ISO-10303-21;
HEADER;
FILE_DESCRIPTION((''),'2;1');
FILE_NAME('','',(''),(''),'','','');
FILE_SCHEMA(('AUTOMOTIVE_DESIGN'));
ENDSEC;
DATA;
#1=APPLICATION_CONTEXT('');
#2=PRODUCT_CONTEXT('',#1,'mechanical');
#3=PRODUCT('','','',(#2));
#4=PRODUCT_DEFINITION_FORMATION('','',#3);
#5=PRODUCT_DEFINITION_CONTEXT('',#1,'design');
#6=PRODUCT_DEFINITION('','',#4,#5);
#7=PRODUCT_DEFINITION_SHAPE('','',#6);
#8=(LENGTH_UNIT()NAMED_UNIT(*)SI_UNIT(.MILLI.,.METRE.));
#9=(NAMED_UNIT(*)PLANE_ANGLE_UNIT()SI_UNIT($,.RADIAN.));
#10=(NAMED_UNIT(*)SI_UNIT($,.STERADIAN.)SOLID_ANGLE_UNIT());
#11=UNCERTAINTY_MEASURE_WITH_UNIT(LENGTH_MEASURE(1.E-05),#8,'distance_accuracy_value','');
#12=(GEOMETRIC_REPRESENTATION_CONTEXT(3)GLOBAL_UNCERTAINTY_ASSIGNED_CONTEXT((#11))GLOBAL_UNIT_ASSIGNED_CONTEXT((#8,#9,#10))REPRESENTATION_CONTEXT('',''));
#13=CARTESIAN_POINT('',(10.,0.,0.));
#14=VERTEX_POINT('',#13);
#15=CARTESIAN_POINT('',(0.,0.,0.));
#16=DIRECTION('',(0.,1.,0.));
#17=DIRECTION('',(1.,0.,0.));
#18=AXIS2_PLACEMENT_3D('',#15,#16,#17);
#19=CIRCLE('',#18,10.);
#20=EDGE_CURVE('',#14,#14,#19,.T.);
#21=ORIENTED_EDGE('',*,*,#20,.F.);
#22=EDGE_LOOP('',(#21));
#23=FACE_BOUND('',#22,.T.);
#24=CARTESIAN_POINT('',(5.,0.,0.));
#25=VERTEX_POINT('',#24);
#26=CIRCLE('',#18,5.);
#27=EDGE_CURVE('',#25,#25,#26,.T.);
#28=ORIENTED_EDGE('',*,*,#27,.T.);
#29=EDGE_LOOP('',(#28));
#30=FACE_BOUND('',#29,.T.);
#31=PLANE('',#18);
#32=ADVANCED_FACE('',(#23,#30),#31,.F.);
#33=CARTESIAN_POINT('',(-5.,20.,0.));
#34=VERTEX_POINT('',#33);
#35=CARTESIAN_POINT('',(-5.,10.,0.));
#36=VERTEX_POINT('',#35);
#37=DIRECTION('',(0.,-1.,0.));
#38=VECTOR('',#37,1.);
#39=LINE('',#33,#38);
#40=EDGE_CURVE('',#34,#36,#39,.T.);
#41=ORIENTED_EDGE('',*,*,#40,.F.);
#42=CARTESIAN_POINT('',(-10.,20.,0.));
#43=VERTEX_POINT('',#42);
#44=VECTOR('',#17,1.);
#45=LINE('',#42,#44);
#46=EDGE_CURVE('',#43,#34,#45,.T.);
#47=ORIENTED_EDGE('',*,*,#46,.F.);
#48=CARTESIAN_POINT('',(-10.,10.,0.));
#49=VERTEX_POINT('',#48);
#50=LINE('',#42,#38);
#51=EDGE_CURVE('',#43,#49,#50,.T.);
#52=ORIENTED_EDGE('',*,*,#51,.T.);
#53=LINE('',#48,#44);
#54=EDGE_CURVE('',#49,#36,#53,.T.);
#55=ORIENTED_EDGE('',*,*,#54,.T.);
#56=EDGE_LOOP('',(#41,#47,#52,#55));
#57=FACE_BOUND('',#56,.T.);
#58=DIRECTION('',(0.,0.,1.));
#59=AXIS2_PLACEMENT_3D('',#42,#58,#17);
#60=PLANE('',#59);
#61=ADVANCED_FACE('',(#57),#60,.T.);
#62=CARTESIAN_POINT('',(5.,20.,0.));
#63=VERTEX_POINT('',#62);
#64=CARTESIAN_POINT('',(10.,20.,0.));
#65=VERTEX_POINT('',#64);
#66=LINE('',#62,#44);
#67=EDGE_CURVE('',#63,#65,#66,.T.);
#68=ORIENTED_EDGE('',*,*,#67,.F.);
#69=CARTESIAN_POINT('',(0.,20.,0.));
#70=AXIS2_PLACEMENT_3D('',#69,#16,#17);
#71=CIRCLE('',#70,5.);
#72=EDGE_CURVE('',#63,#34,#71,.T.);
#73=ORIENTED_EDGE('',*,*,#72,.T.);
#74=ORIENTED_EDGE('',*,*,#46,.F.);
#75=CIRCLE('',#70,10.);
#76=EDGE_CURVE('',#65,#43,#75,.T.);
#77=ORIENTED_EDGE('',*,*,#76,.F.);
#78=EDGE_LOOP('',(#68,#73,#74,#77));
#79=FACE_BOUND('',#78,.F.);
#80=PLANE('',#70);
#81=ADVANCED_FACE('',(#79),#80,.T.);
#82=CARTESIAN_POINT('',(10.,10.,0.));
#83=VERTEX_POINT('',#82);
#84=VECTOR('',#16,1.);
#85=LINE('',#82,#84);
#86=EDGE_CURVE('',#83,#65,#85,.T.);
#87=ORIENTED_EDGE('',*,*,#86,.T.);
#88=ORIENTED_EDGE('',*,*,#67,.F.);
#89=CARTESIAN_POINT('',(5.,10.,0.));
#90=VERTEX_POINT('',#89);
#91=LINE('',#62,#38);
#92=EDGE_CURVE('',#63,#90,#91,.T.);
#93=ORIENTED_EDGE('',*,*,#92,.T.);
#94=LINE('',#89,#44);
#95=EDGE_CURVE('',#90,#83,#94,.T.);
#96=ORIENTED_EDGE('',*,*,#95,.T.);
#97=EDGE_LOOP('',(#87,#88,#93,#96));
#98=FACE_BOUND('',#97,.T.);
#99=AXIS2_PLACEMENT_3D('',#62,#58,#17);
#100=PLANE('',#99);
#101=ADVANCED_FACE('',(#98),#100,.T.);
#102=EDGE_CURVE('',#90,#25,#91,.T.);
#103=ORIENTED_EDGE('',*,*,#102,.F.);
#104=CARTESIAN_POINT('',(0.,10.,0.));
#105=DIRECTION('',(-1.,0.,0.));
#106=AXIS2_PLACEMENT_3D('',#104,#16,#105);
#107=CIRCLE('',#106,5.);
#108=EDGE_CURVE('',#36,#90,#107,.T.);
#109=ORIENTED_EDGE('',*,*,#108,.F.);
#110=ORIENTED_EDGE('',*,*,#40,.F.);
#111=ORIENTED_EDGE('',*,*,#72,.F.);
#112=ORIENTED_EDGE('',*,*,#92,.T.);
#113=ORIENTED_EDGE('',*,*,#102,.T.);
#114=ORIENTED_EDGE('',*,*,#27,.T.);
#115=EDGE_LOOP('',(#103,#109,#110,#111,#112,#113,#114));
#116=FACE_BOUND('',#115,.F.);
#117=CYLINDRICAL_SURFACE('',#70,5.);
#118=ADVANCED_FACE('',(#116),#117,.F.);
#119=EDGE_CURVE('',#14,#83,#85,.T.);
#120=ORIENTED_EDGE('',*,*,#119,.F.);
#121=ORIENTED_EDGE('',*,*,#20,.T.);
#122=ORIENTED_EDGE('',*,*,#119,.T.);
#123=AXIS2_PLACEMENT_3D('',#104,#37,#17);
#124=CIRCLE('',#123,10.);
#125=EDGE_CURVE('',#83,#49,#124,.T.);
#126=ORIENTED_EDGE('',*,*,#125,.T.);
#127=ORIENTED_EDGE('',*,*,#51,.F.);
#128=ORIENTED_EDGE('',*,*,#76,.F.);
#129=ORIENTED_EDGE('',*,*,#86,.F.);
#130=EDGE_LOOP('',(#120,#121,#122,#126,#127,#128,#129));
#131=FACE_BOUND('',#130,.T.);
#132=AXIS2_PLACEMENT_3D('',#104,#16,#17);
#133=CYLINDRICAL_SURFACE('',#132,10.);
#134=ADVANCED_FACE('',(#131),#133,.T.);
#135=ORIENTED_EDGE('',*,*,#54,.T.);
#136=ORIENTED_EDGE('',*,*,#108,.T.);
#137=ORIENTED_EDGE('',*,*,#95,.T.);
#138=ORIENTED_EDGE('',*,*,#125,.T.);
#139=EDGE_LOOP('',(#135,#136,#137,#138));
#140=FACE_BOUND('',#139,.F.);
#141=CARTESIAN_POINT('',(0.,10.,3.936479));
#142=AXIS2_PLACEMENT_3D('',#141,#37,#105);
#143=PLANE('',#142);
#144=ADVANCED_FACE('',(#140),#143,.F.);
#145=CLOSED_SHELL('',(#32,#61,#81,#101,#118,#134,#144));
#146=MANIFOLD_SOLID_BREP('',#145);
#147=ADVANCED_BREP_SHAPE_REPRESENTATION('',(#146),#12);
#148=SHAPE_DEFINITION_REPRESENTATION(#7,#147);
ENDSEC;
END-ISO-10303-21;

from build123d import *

# Parameters (mm, degrees)
SKETCH1_W          = 10
SKETCH1_H          = 20
SKETCH2_R          = 5
CUT_EXTRUDE1_DEPTH = 20
CUT_EXTRUDE2_DEPTH = 10


with BuildPart() as part:
    # Sketch1 → Revolve1 (revolve)
    with BuildSketch(Plane.XY):
        with Locations((5, 10)):
            Rectangle(SKETCH1_W, SKETCH1_H)
    revolve(axis=Axis((0, 0, 0), (0, 1, 0)))

    # Sketch2 → Cut-Extrude1 (cut)
    with BuildSketch(Plane(origin=(0, 20, 0), x_dir=(1, 0, 0), z_dir=(0, 1, 0))):
        Circle(SKETCH2_R)
    extrude(amount=-CUT_EXTRUDE1_DEPTH, mode=Mode.SUBTRACT)

    # Sketch3 → Cut-Extrude2 (cut)
    with BuildSketch(Plane(origin=(0, 20, 0), x_dir=(1, 0, 0), z_dir=(0, 1, 0))):
        with BuildLine():
            Line((-10, 0), (-5, 0))
            ThreePointArc((-5, 0), (0, -5), (5, 0))
            Line((5, 0), (10, 0))
            ThreePointArc((10, 0), (0, -10), (-10, 0))
        make_face()
    extrude(amount=-CUT_EXTRUDE2_DEPTH, mode=Mode.SUBTRACT)


solid = part.part
